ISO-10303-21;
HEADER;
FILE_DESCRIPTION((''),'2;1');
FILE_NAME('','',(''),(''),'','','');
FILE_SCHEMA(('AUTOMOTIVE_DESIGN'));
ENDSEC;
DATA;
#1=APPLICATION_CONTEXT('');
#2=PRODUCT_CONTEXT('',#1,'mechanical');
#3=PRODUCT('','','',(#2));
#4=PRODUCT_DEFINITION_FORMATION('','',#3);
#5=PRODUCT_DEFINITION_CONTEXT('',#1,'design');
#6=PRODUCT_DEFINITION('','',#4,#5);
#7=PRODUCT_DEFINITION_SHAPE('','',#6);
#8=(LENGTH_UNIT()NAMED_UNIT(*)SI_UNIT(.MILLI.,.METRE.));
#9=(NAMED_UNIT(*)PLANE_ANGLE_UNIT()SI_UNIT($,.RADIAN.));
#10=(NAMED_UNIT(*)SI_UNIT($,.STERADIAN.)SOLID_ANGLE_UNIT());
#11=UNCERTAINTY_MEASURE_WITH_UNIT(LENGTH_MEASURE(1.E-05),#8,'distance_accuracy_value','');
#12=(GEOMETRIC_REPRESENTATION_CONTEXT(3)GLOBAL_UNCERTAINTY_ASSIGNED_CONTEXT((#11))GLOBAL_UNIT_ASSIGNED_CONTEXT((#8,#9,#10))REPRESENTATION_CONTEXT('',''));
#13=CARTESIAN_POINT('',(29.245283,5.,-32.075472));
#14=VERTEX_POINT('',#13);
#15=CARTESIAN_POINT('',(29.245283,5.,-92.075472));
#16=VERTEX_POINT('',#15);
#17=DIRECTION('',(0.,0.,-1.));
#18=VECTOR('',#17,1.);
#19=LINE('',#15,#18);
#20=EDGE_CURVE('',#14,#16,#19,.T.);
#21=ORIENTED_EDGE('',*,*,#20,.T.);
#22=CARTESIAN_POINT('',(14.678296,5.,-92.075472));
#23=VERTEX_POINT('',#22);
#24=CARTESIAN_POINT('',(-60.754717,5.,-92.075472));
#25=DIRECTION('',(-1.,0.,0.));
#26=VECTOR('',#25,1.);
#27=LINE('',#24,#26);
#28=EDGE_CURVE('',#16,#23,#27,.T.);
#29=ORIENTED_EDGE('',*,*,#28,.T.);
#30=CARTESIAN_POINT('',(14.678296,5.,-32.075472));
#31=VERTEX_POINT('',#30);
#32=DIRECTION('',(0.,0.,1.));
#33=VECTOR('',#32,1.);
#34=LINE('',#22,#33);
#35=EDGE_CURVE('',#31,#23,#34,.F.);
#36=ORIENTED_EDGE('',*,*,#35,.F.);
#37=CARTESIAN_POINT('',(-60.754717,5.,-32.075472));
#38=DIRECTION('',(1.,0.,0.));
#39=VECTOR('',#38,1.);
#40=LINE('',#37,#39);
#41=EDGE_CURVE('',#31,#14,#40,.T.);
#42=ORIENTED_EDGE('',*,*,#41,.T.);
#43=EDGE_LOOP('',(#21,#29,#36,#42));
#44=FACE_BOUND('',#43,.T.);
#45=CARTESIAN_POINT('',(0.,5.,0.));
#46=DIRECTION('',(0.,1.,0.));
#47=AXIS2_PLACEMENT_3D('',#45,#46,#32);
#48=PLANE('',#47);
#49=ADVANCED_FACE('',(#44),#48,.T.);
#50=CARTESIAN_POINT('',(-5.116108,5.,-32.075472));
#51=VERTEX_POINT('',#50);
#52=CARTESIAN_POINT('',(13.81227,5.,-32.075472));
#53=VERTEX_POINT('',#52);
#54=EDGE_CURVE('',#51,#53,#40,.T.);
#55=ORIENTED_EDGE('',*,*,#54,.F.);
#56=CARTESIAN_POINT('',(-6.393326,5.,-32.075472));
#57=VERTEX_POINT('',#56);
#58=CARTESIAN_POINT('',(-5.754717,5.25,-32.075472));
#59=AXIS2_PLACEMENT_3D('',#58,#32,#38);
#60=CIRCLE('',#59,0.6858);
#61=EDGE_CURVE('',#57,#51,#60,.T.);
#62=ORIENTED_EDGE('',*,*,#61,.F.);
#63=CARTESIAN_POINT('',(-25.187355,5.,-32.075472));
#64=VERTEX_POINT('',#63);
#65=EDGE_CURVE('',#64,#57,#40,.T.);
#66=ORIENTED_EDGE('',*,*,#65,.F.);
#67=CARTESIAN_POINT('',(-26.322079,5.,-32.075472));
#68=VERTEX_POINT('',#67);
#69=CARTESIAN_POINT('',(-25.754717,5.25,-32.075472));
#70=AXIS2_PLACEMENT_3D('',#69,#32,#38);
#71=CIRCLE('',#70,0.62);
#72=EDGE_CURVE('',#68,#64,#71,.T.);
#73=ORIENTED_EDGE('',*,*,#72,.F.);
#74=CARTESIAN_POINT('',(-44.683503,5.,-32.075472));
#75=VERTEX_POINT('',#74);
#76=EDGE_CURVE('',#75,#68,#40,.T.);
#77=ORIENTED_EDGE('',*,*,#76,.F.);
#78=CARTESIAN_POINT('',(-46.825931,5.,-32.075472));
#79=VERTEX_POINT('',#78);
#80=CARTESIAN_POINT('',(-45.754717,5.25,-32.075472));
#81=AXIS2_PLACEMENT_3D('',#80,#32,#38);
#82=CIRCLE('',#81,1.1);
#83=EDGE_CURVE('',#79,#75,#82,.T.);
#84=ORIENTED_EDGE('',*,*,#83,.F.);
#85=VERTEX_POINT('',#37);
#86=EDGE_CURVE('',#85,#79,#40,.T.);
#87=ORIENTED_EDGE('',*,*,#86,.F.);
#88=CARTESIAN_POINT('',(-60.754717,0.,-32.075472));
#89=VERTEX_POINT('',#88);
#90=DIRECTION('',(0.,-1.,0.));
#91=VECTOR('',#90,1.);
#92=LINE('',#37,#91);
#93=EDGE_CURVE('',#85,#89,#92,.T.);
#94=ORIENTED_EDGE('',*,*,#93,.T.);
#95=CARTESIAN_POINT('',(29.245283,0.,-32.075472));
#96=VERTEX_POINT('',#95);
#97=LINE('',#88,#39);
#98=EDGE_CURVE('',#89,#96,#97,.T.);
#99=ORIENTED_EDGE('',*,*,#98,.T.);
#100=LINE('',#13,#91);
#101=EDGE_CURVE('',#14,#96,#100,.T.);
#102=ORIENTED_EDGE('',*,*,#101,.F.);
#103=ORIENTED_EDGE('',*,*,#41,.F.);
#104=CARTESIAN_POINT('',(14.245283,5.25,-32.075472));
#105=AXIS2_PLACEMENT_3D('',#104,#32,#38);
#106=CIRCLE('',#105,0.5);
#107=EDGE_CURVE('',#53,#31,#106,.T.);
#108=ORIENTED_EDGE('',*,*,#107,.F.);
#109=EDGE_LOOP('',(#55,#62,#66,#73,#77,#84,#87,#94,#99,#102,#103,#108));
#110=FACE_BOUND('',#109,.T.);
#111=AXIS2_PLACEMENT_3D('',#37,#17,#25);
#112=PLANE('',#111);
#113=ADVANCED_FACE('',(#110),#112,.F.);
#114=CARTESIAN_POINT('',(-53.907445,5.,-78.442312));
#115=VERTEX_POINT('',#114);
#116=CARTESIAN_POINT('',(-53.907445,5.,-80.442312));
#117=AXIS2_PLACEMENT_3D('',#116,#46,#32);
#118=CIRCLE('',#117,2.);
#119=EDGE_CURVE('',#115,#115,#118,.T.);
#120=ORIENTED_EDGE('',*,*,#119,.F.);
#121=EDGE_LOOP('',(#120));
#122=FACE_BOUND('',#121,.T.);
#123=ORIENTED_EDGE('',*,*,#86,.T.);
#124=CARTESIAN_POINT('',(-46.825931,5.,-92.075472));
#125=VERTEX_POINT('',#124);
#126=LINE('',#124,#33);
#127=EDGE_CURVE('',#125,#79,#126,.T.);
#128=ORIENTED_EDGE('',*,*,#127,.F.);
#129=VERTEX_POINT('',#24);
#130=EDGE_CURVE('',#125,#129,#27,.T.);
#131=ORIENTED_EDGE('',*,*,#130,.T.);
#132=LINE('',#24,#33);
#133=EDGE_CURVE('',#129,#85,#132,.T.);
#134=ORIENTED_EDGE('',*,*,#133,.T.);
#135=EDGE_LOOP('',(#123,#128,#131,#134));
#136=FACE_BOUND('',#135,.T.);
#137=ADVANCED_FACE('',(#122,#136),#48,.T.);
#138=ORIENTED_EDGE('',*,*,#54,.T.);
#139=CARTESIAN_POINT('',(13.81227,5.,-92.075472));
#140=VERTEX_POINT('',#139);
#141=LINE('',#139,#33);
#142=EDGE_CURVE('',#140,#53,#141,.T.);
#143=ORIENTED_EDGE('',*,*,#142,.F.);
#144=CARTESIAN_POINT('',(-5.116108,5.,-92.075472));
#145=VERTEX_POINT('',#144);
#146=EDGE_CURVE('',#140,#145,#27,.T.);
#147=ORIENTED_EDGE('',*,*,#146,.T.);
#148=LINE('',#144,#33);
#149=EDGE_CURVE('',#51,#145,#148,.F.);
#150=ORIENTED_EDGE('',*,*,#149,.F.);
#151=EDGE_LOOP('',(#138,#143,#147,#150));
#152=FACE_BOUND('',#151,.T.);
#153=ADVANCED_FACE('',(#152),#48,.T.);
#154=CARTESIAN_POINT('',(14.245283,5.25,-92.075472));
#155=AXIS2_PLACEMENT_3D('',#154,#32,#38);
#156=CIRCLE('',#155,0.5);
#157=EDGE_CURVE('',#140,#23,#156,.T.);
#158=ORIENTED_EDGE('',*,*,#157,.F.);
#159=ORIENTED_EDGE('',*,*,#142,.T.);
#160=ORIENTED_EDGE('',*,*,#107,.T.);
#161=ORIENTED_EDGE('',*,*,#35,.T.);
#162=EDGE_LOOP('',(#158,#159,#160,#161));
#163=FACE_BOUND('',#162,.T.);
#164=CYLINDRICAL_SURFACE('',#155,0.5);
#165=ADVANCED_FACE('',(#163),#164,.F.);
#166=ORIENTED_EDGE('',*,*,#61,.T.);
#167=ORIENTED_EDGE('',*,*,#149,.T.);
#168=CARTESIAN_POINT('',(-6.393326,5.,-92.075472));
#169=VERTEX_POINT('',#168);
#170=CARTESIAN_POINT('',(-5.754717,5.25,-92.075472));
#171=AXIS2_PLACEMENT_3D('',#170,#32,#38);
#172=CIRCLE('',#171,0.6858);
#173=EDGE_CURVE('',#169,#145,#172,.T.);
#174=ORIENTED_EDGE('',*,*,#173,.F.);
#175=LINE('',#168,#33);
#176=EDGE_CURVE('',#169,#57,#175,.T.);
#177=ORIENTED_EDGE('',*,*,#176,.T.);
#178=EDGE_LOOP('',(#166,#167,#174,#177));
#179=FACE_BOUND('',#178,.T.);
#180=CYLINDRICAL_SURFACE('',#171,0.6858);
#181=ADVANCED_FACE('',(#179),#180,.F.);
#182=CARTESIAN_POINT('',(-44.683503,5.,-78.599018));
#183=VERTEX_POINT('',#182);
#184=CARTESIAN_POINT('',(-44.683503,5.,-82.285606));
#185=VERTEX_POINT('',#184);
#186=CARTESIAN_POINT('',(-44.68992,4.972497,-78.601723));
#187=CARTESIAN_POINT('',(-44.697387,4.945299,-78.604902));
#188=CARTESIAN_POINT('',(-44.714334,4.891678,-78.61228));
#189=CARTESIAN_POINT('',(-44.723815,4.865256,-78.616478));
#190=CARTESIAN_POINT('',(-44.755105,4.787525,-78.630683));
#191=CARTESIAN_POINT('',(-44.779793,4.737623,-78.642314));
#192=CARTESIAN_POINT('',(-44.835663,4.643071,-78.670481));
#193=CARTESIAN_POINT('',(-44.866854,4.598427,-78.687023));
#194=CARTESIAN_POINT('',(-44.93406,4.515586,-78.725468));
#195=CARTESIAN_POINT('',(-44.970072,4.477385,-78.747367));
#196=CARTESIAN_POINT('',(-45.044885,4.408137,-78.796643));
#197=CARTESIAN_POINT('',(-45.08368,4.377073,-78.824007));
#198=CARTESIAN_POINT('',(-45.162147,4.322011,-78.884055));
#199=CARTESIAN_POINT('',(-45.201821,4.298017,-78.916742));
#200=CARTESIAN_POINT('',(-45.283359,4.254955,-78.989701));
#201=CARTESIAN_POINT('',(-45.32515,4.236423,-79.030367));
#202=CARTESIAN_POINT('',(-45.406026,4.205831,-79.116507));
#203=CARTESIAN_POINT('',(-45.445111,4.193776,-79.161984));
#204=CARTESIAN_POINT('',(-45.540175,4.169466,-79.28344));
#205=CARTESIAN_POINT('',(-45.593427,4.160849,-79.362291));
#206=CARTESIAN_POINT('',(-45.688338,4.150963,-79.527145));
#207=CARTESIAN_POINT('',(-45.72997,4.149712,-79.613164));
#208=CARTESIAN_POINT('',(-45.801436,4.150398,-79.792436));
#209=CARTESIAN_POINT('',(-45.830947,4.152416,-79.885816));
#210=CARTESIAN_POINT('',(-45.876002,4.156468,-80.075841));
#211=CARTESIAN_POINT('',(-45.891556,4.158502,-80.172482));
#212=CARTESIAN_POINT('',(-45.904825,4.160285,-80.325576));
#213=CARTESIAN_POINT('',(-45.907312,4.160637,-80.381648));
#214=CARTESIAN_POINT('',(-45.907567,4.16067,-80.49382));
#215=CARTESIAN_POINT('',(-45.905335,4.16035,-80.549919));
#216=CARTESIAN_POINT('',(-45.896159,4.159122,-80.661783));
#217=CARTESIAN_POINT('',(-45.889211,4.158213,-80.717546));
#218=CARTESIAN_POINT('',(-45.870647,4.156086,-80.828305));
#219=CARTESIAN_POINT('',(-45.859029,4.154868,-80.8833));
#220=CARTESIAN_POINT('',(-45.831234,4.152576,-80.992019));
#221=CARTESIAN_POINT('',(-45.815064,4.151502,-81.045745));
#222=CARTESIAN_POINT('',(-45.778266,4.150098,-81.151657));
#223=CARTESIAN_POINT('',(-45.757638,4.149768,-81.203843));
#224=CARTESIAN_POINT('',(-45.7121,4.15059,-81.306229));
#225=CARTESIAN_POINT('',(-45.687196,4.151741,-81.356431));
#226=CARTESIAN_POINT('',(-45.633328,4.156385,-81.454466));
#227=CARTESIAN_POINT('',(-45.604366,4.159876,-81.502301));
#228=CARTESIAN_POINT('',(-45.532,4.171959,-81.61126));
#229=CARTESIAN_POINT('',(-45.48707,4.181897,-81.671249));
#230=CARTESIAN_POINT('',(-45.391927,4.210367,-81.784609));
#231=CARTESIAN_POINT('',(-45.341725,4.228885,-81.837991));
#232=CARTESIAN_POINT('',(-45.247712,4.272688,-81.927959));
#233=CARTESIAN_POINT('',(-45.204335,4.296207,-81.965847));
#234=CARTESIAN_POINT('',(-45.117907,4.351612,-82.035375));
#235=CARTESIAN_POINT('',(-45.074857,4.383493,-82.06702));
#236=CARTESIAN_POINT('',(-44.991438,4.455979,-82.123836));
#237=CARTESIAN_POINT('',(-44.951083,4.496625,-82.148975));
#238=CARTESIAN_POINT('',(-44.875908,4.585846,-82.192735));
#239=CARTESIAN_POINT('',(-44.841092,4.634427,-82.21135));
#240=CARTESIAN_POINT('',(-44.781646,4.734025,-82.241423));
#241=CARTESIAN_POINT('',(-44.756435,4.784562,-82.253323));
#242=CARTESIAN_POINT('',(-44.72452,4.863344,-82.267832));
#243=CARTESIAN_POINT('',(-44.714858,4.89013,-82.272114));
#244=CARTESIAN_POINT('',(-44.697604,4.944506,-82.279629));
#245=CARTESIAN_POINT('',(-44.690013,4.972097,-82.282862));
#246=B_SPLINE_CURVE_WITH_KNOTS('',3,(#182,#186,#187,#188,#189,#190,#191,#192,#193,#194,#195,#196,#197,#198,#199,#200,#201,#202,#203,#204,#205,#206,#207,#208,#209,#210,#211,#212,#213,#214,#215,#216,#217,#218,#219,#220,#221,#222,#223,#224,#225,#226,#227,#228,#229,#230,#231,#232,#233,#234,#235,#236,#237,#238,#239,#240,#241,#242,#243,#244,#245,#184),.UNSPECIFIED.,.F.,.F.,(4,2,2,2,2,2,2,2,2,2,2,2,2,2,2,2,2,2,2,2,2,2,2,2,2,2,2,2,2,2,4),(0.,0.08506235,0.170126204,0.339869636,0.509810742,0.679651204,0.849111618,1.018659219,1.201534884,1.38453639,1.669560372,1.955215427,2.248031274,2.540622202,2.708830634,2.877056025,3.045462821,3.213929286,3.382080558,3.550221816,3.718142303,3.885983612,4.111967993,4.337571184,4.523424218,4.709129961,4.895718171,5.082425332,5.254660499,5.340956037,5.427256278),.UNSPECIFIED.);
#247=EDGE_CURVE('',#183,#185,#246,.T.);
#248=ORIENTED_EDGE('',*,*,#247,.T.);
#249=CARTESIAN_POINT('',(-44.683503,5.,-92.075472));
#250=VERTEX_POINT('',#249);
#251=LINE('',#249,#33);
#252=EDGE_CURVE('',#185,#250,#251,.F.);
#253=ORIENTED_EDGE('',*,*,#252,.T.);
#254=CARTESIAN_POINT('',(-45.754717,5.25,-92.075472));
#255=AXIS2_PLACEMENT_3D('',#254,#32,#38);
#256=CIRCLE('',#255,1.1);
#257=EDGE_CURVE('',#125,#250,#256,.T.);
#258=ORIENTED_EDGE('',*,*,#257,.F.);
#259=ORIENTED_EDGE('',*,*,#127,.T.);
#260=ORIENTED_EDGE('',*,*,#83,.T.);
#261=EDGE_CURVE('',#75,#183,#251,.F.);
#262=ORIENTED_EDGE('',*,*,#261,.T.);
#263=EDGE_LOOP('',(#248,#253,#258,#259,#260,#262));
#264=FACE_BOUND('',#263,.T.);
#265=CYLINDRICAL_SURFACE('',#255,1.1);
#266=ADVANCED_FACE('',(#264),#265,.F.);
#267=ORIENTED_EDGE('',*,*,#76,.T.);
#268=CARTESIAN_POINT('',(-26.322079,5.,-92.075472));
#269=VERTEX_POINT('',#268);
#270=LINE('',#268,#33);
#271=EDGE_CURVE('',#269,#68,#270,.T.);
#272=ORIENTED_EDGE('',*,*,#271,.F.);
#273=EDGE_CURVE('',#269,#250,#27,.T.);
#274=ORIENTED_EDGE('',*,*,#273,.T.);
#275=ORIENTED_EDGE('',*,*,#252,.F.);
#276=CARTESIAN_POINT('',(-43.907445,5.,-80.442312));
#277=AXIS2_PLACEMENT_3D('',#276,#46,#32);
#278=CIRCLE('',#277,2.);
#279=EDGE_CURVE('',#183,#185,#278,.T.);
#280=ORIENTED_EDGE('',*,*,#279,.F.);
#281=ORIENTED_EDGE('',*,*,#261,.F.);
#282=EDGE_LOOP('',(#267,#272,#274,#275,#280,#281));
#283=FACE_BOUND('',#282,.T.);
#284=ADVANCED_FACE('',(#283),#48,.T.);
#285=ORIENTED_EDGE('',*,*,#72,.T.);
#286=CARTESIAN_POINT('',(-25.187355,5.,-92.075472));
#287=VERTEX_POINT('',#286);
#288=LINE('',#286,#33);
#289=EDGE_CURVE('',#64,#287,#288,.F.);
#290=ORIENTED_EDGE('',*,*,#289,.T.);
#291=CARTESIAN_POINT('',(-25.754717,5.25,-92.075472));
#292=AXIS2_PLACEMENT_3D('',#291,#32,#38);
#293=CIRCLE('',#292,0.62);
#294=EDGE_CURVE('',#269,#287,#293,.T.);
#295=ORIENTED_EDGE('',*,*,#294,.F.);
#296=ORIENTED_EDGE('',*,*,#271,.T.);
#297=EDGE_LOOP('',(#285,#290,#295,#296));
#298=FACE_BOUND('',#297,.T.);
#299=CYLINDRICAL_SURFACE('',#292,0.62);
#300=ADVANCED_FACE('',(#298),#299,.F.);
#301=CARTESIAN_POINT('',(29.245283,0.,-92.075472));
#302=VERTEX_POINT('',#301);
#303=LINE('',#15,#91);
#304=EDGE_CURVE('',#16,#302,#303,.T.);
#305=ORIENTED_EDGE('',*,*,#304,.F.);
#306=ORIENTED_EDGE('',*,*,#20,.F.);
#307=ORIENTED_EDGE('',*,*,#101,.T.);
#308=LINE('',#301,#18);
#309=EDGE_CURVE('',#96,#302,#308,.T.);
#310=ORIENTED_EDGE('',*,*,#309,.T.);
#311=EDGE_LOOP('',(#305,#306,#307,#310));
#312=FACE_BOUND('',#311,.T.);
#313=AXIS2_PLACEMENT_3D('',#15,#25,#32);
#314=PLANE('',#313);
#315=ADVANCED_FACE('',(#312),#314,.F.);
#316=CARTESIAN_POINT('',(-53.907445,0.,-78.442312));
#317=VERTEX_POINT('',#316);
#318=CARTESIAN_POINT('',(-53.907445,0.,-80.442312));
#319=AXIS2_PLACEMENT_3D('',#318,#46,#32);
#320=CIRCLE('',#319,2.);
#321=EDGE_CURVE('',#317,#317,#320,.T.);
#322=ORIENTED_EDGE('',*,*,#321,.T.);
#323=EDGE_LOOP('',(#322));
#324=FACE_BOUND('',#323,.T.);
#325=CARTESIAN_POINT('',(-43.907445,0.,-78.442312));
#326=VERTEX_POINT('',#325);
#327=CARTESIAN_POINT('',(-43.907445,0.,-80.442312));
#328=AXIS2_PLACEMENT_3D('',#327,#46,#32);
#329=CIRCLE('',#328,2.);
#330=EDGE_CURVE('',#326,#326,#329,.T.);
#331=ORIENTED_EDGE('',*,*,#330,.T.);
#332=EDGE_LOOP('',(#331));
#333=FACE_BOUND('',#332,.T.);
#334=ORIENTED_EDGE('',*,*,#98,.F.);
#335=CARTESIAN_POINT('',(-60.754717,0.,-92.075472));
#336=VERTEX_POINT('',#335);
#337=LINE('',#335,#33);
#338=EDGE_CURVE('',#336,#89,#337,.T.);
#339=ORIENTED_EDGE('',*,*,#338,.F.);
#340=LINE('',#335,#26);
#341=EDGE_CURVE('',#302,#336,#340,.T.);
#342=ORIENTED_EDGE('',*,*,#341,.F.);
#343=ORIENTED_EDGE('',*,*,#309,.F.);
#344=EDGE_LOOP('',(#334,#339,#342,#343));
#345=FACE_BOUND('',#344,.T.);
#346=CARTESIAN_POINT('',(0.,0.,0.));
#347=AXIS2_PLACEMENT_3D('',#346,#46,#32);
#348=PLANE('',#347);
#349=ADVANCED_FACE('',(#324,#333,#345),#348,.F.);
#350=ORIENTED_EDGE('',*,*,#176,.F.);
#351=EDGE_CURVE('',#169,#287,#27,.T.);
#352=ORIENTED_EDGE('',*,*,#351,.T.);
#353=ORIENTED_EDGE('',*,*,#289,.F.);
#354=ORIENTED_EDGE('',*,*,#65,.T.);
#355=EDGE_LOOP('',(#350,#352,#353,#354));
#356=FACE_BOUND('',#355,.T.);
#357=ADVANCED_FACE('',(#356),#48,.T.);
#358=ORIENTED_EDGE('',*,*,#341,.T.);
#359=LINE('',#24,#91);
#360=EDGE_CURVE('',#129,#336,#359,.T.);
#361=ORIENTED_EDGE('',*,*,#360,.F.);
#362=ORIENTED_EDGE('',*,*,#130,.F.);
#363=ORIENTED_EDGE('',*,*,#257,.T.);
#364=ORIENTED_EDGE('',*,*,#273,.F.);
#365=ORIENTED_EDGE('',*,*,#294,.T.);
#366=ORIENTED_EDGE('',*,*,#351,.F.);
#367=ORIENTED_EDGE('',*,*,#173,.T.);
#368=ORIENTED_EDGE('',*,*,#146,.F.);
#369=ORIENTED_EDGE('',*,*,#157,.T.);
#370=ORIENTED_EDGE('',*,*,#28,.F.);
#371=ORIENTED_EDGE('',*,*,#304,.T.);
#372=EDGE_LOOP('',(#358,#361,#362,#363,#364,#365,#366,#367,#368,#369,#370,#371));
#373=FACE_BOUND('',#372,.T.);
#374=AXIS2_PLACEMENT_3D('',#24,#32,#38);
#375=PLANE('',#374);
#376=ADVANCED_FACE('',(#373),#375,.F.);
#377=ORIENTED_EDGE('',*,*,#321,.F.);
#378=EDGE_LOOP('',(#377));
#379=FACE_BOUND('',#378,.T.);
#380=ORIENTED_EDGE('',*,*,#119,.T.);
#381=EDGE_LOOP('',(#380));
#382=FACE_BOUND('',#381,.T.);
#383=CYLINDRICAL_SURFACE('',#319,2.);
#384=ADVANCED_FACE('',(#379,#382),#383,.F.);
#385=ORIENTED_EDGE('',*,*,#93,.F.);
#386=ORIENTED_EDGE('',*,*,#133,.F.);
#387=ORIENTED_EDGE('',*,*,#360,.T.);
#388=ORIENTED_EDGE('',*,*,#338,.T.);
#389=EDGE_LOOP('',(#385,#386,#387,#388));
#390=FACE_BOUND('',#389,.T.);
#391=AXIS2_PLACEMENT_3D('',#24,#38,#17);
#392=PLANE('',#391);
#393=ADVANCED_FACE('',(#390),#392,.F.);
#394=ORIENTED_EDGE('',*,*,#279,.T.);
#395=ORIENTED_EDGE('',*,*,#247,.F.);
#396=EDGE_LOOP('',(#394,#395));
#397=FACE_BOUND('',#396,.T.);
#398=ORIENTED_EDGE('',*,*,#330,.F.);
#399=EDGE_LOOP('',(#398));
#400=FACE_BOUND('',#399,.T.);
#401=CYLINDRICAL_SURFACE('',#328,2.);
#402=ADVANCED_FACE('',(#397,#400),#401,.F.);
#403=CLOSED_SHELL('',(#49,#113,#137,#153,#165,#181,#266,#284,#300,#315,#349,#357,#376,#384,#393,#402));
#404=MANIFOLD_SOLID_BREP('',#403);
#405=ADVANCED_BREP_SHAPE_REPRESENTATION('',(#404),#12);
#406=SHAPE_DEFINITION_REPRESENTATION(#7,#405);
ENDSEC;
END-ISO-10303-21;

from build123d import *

# Parameters (mm, degrees)
SKETCH1_W           = 90
SKETCH1_H           = 60
BOSS_EXTRUDE1_DEPTH = 5
SKETCH2_R           = 1.1
SKETCH2_R_2         = 0.62
SKETCH2_R_3         = 0.6858
SKETCH2_R_4         = 0.5
CUT_EXTRUDE1_DEPTH  = 61
SKETCH3_R           = 2
CUT_EXTRUDE2_DEPTH  = 6


with BuildPart() as part:
    # Sketch1 → Boss-Extrude1 (new body)
    with BuildSketch(Plane(origin=(0, 0, 0), x_dir=(1, 0, 0), z_dir=(0, 1, 0))):
        with Locations((-15.754716981, 62.075471698)):
            Rectangle(SKETCH1_W, SKETCH1_H)
    extrude(amount=BOSS_EXTRUDE1_DEPTH)

    # Sketch2 → Cut-Extrude1 (cut, through all)
    with BuildSketch(Plane.XY.offset(-32.075471698)):
        with Locations((-45.754716981, 5.25)):
            Circle(SKETCH2_R)
        with Locations((-25.754716981, 5.25)):
            Circle(SKETCH2_R_2)
        with Locations((-5.754716981, 5.25)):
            Circle(SKETCH2_R_3)
        with Locations((14.245283019, 5.25)):
            Circle(SKETCH2_R_4)
    extrude(amount=-CUT_EXTRUDE1_DEPTH, mode=Mode.SUBTRACT)

    # Sketch3 → Cut-Extrude2 (cut, through all)
    with BuildSketch(Plane(origin=(0, 5, 0), x_dir=(1, 0, 0), z_dir=(0, 1, 0))):
        with Locations((-53.907444579, 80.442311963)):
            Circle(SKETCH3_R)
        with Locations((-43.907444579, 80.442311963)):
            Circle(SKETCH3_R)
    extrude(amount=-CUT_EXTRUDE2_DEPTH, mode=Mode.SUBTRACT)


solid = part.part
